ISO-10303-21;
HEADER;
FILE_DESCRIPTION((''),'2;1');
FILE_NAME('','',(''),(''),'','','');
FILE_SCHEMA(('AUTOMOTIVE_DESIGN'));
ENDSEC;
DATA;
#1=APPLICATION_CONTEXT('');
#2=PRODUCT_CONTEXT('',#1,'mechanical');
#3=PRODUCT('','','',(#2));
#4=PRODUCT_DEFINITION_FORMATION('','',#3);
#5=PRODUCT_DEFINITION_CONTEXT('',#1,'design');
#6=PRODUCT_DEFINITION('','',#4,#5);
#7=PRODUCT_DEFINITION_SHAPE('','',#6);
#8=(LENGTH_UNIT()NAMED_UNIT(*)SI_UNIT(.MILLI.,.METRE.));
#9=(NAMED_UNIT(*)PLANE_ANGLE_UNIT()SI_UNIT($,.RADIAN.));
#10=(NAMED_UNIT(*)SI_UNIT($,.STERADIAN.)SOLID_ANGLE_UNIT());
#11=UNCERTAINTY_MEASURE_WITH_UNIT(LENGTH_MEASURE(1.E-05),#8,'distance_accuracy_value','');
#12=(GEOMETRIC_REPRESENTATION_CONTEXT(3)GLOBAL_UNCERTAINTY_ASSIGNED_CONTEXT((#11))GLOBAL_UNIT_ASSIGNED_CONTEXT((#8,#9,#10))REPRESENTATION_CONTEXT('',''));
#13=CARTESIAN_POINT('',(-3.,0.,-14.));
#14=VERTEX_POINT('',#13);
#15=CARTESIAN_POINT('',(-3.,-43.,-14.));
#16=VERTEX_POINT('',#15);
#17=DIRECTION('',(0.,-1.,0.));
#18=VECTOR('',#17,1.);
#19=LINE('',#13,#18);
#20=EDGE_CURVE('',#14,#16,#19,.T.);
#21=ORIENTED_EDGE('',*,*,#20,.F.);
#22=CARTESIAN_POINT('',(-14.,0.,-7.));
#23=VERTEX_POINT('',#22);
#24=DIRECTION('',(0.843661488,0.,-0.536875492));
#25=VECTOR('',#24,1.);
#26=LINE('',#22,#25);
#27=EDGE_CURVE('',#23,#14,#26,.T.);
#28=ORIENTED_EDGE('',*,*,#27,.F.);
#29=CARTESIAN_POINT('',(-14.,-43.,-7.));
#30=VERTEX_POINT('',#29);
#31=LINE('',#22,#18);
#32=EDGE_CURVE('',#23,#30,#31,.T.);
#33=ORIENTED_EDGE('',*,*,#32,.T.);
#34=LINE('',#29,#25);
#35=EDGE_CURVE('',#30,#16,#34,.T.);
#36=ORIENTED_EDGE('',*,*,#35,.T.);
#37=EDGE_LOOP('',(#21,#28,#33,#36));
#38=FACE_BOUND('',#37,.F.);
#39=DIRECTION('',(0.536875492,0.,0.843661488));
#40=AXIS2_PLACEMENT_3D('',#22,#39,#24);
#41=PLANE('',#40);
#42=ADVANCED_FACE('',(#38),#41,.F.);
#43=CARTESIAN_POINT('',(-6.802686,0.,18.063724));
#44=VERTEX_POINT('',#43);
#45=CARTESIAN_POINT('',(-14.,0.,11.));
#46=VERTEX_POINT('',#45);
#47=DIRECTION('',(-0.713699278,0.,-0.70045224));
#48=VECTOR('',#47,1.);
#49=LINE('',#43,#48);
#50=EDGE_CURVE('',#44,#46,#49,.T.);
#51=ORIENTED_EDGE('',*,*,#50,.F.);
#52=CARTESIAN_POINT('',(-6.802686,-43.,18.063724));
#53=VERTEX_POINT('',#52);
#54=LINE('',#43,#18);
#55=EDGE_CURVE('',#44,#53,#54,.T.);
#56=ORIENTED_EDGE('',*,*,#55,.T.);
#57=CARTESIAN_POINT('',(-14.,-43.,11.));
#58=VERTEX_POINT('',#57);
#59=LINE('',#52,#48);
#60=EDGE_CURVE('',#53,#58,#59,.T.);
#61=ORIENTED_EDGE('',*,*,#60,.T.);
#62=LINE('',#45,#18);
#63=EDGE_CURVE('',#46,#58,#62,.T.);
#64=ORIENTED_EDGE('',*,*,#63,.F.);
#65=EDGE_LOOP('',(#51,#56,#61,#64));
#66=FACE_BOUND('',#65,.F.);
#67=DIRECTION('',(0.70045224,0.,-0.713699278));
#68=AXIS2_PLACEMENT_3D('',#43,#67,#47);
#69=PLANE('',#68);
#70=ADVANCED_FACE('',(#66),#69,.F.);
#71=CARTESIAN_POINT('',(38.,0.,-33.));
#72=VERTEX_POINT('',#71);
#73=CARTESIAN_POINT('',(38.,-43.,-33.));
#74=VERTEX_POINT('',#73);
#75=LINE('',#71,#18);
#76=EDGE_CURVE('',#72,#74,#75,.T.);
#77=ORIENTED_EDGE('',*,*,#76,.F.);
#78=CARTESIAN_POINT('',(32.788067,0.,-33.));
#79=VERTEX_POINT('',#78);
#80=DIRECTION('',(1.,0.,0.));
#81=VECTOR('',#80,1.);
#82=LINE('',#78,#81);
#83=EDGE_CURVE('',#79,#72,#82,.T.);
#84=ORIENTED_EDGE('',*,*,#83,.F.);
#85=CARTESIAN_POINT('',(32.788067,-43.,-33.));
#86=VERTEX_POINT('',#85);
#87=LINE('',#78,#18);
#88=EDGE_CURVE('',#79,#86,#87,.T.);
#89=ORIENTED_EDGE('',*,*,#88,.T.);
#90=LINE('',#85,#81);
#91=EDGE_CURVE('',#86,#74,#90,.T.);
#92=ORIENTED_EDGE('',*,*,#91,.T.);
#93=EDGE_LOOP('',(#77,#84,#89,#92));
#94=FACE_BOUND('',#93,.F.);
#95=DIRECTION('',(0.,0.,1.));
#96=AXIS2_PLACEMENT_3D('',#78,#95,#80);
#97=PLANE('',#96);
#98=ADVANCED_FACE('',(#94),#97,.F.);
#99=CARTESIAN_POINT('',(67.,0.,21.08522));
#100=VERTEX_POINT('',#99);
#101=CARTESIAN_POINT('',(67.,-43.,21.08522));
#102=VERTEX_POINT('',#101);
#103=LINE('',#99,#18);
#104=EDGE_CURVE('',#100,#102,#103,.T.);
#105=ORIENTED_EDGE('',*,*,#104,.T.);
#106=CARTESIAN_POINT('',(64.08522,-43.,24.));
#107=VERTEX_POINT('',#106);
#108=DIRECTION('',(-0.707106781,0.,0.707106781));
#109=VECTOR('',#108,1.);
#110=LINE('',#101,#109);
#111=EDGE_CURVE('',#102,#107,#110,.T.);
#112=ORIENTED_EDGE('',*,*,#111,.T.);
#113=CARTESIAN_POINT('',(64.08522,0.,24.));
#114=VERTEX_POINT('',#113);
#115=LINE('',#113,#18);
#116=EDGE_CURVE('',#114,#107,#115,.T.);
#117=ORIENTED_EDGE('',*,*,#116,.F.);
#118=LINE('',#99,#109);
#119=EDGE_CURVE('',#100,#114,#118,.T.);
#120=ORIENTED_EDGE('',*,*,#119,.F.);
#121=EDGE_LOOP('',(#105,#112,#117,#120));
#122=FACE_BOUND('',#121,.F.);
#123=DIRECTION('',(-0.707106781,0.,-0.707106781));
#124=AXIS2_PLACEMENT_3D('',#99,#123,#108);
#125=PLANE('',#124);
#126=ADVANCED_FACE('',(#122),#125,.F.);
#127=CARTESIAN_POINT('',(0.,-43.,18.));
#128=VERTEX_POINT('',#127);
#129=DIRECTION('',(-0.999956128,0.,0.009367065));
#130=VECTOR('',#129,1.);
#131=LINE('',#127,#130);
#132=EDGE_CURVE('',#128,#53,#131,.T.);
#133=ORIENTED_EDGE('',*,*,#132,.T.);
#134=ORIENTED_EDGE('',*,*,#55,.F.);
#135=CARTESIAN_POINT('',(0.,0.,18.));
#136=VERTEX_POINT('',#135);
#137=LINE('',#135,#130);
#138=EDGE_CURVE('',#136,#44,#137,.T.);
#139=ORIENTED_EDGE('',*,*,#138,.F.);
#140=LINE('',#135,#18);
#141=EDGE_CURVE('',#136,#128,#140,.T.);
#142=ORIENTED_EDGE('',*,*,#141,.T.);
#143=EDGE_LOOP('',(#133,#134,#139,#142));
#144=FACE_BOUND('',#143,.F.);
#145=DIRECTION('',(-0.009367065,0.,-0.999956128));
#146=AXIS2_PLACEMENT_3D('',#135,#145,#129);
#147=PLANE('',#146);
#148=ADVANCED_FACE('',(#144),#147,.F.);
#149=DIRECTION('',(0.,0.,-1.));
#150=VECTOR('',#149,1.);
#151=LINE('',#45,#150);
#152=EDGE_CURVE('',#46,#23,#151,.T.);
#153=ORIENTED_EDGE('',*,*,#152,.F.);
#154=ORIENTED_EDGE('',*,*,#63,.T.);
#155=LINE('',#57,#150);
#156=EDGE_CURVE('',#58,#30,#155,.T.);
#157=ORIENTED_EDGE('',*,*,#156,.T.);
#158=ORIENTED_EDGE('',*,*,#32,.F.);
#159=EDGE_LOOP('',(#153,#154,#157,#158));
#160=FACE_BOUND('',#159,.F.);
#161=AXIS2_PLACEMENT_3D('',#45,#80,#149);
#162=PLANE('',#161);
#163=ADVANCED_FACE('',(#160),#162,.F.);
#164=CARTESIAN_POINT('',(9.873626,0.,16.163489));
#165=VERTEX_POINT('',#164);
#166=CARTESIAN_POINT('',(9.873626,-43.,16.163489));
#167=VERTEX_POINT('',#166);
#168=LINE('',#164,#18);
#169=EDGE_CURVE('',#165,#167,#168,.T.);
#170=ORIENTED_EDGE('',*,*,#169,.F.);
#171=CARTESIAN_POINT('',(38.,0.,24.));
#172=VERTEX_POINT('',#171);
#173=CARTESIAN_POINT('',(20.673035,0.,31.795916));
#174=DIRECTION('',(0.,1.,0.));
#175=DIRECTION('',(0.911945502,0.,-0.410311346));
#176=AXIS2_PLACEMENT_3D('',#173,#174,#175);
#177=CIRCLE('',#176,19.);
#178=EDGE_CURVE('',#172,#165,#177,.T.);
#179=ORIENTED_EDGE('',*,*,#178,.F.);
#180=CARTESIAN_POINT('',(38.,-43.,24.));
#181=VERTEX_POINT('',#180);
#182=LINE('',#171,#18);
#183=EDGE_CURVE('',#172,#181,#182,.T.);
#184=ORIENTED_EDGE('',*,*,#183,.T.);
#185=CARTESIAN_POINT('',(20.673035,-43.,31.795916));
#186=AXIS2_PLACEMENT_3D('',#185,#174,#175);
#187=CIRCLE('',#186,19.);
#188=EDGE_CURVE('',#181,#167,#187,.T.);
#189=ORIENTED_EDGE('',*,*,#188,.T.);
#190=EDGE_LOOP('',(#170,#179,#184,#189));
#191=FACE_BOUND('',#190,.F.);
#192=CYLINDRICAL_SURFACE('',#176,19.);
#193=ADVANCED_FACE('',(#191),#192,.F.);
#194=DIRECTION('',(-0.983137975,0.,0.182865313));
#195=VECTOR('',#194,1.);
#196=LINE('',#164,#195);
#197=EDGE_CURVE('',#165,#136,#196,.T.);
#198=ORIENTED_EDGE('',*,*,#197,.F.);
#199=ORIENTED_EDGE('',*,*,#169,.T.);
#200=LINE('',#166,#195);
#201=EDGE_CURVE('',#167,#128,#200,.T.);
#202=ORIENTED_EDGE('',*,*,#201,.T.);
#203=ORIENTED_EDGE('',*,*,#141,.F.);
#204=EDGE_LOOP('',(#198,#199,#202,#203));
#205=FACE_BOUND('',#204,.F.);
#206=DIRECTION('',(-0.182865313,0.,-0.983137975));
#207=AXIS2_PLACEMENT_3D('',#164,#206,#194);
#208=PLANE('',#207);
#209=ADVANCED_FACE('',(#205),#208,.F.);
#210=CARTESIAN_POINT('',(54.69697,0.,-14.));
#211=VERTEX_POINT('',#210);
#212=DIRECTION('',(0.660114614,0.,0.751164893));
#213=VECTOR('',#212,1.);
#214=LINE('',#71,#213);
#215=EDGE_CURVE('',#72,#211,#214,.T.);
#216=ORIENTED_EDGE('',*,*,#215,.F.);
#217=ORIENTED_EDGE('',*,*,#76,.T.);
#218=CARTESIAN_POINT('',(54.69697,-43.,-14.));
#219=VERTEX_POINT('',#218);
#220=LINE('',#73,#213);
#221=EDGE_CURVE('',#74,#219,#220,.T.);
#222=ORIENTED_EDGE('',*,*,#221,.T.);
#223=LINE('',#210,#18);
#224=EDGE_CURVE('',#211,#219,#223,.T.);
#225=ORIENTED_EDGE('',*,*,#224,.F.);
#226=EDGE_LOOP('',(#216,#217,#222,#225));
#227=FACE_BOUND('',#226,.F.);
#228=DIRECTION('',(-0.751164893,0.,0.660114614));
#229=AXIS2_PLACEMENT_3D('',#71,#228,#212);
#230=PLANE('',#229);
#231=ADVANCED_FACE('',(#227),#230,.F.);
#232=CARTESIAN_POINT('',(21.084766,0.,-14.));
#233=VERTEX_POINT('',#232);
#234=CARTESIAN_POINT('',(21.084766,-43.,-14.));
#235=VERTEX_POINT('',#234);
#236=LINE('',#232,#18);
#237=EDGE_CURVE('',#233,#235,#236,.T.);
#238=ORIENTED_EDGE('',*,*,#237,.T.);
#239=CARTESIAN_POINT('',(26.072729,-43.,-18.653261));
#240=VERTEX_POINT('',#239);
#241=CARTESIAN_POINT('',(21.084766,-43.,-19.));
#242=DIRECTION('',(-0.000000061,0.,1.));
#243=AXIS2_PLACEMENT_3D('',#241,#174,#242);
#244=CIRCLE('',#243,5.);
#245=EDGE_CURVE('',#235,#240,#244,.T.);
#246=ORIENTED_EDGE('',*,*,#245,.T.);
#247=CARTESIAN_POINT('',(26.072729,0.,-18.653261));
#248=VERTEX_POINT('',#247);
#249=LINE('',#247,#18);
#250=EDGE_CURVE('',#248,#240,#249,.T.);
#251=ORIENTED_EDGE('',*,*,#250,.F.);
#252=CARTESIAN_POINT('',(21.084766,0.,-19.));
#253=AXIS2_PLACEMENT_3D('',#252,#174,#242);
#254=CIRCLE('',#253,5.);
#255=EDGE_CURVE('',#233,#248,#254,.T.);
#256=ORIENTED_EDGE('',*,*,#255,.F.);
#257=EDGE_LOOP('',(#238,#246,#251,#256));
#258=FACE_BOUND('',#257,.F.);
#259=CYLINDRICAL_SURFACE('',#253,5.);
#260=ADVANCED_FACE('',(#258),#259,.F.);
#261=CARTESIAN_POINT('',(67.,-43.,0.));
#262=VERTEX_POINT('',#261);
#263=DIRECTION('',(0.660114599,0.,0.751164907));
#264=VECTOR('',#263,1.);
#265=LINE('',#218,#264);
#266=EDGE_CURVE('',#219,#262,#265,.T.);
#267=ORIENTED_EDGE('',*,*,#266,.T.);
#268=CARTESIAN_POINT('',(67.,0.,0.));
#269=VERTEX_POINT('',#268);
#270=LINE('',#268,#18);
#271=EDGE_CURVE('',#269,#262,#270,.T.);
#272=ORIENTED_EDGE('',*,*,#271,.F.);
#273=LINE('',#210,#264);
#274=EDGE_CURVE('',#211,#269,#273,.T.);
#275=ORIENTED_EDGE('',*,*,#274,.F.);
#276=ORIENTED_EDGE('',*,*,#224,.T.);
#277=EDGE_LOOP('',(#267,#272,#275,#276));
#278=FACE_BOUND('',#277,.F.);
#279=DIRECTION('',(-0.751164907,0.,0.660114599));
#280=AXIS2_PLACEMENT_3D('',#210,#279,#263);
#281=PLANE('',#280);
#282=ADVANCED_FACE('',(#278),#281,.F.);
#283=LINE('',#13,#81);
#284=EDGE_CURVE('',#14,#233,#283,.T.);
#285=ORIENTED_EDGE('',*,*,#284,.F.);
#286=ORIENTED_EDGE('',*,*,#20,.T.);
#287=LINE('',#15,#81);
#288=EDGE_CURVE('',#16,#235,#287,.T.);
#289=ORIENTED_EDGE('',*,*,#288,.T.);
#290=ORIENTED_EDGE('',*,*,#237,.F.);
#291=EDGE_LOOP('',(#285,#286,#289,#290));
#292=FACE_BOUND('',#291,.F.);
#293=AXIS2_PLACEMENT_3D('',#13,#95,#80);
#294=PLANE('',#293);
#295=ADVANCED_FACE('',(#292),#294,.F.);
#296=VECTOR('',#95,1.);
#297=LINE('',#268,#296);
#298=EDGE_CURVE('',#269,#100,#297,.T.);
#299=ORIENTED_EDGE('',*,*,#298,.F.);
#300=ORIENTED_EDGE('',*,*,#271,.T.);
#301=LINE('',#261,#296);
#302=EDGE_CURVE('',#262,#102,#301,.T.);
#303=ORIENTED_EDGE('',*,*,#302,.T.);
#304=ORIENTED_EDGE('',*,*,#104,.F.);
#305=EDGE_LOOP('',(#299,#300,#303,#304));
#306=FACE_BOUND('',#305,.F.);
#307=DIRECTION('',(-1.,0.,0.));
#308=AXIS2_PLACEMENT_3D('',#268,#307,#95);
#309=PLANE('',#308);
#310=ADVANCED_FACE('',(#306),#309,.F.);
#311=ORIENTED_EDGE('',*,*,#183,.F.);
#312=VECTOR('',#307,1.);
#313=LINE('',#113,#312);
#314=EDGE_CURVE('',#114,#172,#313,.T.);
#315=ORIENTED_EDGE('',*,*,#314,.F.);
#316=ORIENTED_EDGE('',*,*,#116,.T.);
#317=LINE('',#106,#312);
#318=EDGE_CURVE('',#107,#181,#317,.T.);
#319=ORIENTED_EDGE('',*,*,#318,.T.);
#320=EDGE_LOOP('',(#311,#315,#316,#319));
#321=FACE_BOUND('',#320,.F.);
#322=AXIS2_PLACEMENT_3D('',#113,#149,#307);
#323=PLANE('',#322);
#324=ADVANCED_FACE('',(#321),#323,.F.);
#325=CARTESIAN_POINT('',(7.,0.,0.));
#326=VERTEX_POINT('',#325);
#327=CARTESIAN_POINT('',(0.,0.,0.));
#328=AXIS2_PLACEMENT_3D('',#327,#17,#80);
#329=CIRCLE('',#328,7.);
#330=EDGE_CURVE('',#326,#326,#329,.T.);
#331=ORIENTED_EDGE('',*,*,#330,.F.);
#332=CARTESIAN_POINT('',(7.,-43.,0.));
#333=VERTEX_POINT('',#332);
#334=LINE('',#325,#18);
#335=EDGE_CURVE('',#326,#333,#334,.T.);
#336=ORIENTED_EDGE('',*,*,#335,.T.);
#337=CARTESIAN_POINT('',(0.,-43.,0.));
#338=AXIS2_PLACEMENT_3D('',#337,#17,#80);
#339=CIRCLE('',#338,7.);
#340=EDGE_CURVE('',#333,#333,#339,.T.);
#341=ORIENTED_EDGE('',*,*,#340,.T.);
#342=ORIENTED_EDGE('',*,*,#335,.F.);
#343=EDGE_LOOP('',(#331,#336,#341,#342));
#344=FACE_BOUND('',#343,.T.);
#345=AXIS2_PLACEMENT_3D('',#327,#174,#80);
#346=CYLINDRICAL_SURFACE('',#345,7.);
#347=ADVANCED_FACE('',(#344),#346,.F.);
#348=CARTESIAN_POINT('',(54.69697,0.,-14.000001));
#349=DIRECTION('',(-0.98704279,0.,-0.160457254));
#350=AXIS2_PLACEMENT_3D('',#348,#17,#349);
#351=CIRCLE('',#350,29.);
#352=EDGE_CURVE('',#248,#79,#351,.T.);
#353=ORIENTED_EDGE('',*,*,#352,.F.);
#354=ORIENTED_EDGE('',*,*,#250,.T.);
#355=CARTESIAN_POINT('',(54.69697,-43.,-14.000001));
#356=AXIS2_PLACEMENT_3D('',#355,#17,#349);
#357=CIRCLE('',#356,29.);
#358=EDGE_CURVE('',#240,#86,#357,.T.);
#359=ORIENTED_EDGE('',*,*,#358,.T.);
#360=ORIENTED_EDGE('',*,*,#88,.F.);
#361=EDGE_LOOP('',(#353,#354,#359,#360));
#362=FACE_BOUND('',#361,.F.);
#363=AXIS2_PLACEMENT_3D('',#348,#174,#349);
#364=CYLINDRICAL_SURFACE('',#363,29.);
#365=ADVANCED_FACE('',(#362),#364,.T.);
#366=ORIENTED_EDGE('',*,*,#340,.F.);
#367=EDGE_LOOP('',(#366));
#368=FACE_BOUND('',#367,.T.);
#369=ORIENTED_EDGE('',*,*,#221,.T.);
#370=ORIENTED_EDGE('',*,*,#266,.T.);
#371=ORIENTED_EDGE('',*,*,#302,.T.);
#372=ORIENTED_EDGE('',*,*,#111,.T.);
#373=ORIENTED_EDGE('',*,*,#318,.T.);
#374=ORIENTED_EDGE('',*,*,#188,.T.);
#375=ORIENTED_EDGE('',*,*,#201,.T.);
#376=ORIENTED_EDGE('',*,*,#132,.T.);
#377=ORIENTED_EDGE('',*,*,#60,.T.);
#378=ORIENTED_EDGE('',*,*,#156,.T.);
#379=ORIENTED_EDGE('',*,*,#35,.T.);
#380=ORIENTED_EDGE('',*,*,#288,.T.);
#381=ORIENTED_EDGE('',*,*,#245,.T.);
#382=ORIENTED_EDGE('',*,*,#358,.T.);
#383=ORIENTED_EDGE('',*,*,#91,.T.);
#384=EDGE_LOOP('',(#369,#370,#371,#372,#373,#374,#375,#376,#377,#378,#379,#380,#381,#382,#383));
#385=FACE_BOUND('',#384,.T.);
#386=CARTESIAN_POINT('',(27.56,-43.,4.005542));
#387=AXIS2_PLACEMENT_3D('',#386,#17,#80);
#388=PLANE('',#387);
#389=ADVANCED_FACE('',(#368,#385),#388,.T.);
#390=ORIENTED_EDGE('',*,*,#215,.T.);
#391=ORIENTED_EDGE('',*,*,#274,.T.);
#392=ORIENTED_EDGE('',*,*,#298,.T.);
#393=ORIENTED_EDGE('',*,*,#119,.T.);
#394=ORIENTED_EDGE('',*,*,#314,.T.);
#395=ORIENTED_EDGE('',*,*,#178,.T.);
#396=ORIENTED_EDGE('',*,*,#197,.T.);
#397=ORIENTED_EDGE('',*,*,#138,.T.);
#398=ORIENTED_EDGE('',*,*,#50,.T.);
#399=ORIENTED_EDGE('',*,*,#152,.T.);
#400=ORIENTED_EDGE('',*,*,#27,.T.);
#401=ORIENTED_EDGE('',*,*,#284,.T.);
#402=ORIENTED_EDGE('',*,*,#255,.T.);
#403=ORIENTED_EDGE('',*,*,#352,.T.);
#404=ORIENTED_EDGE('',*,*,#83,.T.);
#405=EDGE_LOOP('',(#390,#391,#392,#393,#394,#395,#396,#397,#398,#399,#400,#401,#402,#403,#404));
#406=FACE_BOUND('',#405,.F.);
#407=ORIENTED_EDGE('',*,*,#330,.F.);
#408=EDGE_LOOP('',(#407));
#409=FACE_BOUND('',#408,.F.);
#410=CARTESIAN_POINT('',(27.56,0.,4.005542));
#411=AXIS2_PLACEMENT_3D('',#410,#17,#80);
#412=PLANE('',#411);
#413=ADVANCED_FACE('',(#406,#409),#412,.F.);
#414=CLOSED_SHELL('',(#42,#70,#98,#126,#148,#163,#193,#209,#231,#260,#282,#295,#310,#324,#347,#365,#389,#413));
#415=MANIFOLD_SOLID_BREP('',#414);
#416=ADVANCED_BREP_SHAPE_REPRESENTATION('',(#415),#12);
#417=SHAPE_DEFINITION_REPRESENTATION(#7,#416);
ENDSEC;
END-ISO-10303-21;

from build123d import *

# Parameters (mm, degrees)
F0_R     = 7
F1_DEPTH = 43


with BuildPart() as f1:
    # F0 (on Front) → F1 (new body)
    with BuildSketch(Plane.XZ):
        with BuildLine():
            Line((-14, 11), (-14, -7))
            Line((-14, -7), (-3, -14))
            Line((-3, -14), (21.084766, -14))
            Line((21.084766, -14), (54.69697, -14))
            Line((54.69697, -14), (67, 0))
            Line((67, 0), (67, 21.08522))
            Line((67, 21.08522), (64.08522, 24))
            Line((64.08522, 24), (38, 24))
            ThreePointArc((38, 24), (25.772542, 13.493046), (9.873626, 16.163489))
            Line((9.873626, 16.163489), (0, 18))
            Line((0, 18), (-6.802686, 18.063724))
            Line((-6.802686, 18.063724), (-14, 11))
        make_face()
        Circle(F0_R, mode=Mode.SUBTRACT)
        with BuildLine():
            Line((54.69697, -14), (21.084766, -14))
            ThreePointArc((21.084766, -14), (24.495507, -15.34393), (26.072729, -18.653261))
            ThreePointArc((26.072729, -18.653261), (28.431843, -26.294028), (32.788067, -33))
            Line((32.788067, -33), (38, -33))
            Line((38, -33), (54.69697, -14))
        make_face()
    extrude(amount=F1_DEPTH)


solid = f1.part
